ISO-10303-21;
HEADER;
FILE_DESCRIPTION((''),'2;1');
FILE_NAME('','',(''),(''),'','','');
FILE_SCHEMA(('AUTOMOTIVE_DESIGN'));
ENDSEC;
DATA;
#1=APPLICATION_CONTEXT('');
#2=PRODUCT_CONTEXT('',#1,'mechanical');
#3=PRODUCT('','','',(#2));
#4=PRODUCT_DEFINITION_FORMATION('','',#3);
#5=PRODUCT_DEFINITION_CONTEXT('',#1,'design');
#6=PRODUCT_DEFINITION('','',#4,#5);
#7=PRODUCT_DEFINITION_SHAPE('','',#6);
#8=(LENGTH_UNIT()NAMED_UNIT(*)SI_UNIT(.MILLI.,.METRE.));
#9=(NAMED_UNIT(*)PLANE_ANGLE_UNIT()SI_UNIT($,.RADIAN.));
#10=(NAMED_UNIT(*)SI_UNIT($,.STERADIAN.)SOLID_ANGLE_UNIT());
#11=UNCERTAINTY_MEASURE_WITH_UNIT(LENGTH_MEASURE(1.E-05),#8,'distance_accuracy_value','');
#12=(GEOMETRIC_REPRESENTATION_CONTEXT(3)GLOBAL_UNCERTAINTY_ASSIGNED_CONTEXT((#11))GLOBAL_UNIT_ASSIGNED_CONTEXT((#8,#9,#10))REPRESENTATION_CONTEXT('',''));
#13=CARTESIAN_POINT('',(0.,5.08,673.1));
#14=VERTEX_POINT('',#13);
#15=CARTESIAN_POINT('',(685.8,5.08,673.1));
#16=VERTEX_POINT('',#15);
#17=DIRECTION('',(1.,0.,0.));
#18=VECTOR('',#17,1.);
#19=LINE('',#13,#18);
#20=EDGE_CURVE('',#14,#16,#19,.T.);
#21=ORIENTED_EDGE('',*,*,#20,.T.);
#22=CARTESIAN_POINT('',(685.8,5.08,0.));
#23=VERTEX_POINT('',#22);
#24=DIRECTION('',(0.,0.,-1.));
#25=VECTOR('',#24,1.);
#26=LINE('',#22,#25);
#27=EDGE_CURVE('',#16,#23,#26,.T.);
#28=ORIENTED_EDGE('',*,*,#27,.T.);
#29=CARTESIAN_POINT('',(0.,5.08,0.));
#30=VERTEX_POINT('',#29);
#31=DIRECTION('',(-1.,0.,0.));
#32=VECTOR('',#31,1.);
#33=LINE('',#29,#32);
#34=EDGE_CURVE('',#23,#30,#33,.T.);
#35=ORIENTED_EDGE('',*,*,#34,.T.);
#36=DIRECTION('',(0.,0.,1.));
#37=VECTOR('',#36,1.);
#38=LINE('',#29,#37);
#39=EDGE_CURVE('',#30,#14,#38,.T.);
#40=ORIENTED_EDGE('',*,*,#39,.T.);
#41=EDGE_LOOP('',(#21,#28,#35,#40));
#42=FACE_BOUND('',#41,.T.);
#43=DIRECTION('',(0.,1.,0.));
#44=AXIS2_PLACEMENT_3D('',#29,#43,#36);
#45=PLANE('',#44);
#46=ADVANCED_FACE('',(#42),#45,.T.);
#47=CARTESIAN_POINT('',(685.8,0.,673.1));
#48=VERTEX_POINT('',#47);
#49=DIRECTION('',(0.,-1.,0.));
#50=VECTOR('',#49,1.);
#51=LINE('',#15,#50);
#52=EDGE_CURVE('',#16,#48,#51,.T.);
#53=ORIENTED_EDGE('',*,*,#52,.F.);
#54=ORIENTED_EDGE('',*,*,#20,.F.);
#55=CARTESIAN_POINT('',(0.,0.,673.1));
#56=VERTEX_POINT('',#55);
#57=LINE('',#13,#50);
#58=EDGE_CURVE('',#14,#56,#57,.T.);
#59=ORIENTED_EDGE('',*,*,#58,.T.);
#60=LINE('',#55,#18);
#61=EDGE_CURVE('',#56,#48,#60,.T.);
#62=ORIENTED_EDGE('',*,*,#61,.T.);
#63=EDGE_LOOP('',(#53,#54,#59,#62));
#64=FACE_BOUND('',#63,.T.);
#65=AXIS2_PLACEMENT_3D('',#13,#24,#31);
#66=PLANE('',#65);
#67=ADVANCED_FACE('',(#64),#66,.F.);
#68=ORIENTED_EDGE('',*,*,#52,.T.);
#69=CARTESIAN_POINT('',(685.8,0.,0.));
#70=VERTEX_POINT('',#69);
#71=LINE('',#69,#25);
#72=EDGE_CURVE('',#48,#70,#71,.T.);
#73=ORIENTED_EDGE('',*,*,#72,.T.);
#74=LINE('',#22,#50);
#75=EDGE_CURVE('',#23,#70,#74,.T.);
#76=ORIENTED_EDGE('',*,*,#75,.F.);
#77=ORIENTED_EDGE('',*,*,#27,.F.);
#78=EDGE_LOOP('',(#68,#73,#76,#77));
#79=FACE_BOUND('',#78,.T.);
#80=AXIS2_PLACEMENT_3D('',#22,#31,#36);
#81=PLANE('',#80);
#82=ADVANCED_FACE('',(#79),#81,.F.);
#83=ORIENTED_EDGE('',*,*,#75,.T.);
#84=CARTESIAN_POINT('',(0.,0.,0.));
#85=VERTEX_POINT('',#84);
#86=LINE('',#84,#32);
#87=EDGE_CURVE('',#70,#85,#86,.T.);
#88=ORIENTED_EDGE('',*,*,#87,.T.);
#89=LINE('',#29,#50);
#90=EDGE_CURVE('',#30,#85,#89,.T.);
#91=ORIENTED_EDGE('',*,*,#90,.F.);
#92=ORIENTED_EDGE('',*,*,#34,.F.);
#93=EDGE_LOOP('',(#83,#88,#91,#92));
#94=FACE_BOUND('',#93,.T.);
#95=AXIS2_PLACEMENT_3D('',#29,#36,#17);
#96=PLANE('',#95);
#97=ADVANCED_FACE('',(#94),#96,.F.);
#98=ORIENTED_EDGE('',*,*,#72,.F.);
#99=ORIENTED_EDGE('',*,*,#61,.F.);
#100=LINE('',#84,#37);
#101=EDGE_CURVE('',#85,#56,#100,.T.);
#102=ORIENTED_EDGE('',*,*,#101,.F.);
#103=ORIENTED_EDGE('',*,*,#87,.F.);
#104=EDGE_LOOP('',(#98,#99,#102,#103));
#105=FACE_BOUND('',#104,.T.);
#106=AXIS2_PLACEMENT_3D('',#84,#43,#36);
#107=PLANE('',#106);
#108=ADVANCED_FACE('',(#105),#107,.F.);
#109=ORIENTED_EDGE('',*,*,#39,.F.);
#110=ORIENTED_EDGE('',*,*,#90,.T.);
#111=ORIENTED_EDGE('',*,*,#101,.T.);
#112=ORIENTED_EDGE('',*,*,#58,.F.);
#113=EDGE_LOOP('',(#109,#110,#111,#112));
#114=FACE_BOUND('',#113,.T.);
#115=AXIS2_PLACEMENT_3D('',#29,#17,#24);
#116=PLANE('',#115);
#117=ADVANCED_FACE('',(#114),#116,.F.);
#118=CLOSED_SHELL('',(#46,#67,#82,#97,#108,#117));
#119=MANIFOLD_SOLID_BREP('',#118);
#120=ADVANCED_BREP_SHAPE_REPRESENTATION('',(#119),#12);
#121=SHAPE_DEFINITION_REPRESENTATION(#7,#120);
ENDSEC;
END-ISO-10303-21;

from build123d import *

# Parameters (mm, degrees)
SKETCH1_W           = 685.8
SKETCH1_H           = 673.1
BOSS_EXTRUDE1_DEPTH = 5.08


with BuildPart() as part:
    # Sketch1 → Boss-Extrude1 (new body)
    with BuildSketch(Plane(origin=(0, 0, 0), x_dir=(1, 0, 0), z_dir=(0, 1, 0))):
        with Locations((342.9, -336.55)):
            Rectangle(SKETCH1_W, SKETCH1_H)
    extrude(amount=BOSS_EXTRUDE1_DEPTH)


solid = part.part
